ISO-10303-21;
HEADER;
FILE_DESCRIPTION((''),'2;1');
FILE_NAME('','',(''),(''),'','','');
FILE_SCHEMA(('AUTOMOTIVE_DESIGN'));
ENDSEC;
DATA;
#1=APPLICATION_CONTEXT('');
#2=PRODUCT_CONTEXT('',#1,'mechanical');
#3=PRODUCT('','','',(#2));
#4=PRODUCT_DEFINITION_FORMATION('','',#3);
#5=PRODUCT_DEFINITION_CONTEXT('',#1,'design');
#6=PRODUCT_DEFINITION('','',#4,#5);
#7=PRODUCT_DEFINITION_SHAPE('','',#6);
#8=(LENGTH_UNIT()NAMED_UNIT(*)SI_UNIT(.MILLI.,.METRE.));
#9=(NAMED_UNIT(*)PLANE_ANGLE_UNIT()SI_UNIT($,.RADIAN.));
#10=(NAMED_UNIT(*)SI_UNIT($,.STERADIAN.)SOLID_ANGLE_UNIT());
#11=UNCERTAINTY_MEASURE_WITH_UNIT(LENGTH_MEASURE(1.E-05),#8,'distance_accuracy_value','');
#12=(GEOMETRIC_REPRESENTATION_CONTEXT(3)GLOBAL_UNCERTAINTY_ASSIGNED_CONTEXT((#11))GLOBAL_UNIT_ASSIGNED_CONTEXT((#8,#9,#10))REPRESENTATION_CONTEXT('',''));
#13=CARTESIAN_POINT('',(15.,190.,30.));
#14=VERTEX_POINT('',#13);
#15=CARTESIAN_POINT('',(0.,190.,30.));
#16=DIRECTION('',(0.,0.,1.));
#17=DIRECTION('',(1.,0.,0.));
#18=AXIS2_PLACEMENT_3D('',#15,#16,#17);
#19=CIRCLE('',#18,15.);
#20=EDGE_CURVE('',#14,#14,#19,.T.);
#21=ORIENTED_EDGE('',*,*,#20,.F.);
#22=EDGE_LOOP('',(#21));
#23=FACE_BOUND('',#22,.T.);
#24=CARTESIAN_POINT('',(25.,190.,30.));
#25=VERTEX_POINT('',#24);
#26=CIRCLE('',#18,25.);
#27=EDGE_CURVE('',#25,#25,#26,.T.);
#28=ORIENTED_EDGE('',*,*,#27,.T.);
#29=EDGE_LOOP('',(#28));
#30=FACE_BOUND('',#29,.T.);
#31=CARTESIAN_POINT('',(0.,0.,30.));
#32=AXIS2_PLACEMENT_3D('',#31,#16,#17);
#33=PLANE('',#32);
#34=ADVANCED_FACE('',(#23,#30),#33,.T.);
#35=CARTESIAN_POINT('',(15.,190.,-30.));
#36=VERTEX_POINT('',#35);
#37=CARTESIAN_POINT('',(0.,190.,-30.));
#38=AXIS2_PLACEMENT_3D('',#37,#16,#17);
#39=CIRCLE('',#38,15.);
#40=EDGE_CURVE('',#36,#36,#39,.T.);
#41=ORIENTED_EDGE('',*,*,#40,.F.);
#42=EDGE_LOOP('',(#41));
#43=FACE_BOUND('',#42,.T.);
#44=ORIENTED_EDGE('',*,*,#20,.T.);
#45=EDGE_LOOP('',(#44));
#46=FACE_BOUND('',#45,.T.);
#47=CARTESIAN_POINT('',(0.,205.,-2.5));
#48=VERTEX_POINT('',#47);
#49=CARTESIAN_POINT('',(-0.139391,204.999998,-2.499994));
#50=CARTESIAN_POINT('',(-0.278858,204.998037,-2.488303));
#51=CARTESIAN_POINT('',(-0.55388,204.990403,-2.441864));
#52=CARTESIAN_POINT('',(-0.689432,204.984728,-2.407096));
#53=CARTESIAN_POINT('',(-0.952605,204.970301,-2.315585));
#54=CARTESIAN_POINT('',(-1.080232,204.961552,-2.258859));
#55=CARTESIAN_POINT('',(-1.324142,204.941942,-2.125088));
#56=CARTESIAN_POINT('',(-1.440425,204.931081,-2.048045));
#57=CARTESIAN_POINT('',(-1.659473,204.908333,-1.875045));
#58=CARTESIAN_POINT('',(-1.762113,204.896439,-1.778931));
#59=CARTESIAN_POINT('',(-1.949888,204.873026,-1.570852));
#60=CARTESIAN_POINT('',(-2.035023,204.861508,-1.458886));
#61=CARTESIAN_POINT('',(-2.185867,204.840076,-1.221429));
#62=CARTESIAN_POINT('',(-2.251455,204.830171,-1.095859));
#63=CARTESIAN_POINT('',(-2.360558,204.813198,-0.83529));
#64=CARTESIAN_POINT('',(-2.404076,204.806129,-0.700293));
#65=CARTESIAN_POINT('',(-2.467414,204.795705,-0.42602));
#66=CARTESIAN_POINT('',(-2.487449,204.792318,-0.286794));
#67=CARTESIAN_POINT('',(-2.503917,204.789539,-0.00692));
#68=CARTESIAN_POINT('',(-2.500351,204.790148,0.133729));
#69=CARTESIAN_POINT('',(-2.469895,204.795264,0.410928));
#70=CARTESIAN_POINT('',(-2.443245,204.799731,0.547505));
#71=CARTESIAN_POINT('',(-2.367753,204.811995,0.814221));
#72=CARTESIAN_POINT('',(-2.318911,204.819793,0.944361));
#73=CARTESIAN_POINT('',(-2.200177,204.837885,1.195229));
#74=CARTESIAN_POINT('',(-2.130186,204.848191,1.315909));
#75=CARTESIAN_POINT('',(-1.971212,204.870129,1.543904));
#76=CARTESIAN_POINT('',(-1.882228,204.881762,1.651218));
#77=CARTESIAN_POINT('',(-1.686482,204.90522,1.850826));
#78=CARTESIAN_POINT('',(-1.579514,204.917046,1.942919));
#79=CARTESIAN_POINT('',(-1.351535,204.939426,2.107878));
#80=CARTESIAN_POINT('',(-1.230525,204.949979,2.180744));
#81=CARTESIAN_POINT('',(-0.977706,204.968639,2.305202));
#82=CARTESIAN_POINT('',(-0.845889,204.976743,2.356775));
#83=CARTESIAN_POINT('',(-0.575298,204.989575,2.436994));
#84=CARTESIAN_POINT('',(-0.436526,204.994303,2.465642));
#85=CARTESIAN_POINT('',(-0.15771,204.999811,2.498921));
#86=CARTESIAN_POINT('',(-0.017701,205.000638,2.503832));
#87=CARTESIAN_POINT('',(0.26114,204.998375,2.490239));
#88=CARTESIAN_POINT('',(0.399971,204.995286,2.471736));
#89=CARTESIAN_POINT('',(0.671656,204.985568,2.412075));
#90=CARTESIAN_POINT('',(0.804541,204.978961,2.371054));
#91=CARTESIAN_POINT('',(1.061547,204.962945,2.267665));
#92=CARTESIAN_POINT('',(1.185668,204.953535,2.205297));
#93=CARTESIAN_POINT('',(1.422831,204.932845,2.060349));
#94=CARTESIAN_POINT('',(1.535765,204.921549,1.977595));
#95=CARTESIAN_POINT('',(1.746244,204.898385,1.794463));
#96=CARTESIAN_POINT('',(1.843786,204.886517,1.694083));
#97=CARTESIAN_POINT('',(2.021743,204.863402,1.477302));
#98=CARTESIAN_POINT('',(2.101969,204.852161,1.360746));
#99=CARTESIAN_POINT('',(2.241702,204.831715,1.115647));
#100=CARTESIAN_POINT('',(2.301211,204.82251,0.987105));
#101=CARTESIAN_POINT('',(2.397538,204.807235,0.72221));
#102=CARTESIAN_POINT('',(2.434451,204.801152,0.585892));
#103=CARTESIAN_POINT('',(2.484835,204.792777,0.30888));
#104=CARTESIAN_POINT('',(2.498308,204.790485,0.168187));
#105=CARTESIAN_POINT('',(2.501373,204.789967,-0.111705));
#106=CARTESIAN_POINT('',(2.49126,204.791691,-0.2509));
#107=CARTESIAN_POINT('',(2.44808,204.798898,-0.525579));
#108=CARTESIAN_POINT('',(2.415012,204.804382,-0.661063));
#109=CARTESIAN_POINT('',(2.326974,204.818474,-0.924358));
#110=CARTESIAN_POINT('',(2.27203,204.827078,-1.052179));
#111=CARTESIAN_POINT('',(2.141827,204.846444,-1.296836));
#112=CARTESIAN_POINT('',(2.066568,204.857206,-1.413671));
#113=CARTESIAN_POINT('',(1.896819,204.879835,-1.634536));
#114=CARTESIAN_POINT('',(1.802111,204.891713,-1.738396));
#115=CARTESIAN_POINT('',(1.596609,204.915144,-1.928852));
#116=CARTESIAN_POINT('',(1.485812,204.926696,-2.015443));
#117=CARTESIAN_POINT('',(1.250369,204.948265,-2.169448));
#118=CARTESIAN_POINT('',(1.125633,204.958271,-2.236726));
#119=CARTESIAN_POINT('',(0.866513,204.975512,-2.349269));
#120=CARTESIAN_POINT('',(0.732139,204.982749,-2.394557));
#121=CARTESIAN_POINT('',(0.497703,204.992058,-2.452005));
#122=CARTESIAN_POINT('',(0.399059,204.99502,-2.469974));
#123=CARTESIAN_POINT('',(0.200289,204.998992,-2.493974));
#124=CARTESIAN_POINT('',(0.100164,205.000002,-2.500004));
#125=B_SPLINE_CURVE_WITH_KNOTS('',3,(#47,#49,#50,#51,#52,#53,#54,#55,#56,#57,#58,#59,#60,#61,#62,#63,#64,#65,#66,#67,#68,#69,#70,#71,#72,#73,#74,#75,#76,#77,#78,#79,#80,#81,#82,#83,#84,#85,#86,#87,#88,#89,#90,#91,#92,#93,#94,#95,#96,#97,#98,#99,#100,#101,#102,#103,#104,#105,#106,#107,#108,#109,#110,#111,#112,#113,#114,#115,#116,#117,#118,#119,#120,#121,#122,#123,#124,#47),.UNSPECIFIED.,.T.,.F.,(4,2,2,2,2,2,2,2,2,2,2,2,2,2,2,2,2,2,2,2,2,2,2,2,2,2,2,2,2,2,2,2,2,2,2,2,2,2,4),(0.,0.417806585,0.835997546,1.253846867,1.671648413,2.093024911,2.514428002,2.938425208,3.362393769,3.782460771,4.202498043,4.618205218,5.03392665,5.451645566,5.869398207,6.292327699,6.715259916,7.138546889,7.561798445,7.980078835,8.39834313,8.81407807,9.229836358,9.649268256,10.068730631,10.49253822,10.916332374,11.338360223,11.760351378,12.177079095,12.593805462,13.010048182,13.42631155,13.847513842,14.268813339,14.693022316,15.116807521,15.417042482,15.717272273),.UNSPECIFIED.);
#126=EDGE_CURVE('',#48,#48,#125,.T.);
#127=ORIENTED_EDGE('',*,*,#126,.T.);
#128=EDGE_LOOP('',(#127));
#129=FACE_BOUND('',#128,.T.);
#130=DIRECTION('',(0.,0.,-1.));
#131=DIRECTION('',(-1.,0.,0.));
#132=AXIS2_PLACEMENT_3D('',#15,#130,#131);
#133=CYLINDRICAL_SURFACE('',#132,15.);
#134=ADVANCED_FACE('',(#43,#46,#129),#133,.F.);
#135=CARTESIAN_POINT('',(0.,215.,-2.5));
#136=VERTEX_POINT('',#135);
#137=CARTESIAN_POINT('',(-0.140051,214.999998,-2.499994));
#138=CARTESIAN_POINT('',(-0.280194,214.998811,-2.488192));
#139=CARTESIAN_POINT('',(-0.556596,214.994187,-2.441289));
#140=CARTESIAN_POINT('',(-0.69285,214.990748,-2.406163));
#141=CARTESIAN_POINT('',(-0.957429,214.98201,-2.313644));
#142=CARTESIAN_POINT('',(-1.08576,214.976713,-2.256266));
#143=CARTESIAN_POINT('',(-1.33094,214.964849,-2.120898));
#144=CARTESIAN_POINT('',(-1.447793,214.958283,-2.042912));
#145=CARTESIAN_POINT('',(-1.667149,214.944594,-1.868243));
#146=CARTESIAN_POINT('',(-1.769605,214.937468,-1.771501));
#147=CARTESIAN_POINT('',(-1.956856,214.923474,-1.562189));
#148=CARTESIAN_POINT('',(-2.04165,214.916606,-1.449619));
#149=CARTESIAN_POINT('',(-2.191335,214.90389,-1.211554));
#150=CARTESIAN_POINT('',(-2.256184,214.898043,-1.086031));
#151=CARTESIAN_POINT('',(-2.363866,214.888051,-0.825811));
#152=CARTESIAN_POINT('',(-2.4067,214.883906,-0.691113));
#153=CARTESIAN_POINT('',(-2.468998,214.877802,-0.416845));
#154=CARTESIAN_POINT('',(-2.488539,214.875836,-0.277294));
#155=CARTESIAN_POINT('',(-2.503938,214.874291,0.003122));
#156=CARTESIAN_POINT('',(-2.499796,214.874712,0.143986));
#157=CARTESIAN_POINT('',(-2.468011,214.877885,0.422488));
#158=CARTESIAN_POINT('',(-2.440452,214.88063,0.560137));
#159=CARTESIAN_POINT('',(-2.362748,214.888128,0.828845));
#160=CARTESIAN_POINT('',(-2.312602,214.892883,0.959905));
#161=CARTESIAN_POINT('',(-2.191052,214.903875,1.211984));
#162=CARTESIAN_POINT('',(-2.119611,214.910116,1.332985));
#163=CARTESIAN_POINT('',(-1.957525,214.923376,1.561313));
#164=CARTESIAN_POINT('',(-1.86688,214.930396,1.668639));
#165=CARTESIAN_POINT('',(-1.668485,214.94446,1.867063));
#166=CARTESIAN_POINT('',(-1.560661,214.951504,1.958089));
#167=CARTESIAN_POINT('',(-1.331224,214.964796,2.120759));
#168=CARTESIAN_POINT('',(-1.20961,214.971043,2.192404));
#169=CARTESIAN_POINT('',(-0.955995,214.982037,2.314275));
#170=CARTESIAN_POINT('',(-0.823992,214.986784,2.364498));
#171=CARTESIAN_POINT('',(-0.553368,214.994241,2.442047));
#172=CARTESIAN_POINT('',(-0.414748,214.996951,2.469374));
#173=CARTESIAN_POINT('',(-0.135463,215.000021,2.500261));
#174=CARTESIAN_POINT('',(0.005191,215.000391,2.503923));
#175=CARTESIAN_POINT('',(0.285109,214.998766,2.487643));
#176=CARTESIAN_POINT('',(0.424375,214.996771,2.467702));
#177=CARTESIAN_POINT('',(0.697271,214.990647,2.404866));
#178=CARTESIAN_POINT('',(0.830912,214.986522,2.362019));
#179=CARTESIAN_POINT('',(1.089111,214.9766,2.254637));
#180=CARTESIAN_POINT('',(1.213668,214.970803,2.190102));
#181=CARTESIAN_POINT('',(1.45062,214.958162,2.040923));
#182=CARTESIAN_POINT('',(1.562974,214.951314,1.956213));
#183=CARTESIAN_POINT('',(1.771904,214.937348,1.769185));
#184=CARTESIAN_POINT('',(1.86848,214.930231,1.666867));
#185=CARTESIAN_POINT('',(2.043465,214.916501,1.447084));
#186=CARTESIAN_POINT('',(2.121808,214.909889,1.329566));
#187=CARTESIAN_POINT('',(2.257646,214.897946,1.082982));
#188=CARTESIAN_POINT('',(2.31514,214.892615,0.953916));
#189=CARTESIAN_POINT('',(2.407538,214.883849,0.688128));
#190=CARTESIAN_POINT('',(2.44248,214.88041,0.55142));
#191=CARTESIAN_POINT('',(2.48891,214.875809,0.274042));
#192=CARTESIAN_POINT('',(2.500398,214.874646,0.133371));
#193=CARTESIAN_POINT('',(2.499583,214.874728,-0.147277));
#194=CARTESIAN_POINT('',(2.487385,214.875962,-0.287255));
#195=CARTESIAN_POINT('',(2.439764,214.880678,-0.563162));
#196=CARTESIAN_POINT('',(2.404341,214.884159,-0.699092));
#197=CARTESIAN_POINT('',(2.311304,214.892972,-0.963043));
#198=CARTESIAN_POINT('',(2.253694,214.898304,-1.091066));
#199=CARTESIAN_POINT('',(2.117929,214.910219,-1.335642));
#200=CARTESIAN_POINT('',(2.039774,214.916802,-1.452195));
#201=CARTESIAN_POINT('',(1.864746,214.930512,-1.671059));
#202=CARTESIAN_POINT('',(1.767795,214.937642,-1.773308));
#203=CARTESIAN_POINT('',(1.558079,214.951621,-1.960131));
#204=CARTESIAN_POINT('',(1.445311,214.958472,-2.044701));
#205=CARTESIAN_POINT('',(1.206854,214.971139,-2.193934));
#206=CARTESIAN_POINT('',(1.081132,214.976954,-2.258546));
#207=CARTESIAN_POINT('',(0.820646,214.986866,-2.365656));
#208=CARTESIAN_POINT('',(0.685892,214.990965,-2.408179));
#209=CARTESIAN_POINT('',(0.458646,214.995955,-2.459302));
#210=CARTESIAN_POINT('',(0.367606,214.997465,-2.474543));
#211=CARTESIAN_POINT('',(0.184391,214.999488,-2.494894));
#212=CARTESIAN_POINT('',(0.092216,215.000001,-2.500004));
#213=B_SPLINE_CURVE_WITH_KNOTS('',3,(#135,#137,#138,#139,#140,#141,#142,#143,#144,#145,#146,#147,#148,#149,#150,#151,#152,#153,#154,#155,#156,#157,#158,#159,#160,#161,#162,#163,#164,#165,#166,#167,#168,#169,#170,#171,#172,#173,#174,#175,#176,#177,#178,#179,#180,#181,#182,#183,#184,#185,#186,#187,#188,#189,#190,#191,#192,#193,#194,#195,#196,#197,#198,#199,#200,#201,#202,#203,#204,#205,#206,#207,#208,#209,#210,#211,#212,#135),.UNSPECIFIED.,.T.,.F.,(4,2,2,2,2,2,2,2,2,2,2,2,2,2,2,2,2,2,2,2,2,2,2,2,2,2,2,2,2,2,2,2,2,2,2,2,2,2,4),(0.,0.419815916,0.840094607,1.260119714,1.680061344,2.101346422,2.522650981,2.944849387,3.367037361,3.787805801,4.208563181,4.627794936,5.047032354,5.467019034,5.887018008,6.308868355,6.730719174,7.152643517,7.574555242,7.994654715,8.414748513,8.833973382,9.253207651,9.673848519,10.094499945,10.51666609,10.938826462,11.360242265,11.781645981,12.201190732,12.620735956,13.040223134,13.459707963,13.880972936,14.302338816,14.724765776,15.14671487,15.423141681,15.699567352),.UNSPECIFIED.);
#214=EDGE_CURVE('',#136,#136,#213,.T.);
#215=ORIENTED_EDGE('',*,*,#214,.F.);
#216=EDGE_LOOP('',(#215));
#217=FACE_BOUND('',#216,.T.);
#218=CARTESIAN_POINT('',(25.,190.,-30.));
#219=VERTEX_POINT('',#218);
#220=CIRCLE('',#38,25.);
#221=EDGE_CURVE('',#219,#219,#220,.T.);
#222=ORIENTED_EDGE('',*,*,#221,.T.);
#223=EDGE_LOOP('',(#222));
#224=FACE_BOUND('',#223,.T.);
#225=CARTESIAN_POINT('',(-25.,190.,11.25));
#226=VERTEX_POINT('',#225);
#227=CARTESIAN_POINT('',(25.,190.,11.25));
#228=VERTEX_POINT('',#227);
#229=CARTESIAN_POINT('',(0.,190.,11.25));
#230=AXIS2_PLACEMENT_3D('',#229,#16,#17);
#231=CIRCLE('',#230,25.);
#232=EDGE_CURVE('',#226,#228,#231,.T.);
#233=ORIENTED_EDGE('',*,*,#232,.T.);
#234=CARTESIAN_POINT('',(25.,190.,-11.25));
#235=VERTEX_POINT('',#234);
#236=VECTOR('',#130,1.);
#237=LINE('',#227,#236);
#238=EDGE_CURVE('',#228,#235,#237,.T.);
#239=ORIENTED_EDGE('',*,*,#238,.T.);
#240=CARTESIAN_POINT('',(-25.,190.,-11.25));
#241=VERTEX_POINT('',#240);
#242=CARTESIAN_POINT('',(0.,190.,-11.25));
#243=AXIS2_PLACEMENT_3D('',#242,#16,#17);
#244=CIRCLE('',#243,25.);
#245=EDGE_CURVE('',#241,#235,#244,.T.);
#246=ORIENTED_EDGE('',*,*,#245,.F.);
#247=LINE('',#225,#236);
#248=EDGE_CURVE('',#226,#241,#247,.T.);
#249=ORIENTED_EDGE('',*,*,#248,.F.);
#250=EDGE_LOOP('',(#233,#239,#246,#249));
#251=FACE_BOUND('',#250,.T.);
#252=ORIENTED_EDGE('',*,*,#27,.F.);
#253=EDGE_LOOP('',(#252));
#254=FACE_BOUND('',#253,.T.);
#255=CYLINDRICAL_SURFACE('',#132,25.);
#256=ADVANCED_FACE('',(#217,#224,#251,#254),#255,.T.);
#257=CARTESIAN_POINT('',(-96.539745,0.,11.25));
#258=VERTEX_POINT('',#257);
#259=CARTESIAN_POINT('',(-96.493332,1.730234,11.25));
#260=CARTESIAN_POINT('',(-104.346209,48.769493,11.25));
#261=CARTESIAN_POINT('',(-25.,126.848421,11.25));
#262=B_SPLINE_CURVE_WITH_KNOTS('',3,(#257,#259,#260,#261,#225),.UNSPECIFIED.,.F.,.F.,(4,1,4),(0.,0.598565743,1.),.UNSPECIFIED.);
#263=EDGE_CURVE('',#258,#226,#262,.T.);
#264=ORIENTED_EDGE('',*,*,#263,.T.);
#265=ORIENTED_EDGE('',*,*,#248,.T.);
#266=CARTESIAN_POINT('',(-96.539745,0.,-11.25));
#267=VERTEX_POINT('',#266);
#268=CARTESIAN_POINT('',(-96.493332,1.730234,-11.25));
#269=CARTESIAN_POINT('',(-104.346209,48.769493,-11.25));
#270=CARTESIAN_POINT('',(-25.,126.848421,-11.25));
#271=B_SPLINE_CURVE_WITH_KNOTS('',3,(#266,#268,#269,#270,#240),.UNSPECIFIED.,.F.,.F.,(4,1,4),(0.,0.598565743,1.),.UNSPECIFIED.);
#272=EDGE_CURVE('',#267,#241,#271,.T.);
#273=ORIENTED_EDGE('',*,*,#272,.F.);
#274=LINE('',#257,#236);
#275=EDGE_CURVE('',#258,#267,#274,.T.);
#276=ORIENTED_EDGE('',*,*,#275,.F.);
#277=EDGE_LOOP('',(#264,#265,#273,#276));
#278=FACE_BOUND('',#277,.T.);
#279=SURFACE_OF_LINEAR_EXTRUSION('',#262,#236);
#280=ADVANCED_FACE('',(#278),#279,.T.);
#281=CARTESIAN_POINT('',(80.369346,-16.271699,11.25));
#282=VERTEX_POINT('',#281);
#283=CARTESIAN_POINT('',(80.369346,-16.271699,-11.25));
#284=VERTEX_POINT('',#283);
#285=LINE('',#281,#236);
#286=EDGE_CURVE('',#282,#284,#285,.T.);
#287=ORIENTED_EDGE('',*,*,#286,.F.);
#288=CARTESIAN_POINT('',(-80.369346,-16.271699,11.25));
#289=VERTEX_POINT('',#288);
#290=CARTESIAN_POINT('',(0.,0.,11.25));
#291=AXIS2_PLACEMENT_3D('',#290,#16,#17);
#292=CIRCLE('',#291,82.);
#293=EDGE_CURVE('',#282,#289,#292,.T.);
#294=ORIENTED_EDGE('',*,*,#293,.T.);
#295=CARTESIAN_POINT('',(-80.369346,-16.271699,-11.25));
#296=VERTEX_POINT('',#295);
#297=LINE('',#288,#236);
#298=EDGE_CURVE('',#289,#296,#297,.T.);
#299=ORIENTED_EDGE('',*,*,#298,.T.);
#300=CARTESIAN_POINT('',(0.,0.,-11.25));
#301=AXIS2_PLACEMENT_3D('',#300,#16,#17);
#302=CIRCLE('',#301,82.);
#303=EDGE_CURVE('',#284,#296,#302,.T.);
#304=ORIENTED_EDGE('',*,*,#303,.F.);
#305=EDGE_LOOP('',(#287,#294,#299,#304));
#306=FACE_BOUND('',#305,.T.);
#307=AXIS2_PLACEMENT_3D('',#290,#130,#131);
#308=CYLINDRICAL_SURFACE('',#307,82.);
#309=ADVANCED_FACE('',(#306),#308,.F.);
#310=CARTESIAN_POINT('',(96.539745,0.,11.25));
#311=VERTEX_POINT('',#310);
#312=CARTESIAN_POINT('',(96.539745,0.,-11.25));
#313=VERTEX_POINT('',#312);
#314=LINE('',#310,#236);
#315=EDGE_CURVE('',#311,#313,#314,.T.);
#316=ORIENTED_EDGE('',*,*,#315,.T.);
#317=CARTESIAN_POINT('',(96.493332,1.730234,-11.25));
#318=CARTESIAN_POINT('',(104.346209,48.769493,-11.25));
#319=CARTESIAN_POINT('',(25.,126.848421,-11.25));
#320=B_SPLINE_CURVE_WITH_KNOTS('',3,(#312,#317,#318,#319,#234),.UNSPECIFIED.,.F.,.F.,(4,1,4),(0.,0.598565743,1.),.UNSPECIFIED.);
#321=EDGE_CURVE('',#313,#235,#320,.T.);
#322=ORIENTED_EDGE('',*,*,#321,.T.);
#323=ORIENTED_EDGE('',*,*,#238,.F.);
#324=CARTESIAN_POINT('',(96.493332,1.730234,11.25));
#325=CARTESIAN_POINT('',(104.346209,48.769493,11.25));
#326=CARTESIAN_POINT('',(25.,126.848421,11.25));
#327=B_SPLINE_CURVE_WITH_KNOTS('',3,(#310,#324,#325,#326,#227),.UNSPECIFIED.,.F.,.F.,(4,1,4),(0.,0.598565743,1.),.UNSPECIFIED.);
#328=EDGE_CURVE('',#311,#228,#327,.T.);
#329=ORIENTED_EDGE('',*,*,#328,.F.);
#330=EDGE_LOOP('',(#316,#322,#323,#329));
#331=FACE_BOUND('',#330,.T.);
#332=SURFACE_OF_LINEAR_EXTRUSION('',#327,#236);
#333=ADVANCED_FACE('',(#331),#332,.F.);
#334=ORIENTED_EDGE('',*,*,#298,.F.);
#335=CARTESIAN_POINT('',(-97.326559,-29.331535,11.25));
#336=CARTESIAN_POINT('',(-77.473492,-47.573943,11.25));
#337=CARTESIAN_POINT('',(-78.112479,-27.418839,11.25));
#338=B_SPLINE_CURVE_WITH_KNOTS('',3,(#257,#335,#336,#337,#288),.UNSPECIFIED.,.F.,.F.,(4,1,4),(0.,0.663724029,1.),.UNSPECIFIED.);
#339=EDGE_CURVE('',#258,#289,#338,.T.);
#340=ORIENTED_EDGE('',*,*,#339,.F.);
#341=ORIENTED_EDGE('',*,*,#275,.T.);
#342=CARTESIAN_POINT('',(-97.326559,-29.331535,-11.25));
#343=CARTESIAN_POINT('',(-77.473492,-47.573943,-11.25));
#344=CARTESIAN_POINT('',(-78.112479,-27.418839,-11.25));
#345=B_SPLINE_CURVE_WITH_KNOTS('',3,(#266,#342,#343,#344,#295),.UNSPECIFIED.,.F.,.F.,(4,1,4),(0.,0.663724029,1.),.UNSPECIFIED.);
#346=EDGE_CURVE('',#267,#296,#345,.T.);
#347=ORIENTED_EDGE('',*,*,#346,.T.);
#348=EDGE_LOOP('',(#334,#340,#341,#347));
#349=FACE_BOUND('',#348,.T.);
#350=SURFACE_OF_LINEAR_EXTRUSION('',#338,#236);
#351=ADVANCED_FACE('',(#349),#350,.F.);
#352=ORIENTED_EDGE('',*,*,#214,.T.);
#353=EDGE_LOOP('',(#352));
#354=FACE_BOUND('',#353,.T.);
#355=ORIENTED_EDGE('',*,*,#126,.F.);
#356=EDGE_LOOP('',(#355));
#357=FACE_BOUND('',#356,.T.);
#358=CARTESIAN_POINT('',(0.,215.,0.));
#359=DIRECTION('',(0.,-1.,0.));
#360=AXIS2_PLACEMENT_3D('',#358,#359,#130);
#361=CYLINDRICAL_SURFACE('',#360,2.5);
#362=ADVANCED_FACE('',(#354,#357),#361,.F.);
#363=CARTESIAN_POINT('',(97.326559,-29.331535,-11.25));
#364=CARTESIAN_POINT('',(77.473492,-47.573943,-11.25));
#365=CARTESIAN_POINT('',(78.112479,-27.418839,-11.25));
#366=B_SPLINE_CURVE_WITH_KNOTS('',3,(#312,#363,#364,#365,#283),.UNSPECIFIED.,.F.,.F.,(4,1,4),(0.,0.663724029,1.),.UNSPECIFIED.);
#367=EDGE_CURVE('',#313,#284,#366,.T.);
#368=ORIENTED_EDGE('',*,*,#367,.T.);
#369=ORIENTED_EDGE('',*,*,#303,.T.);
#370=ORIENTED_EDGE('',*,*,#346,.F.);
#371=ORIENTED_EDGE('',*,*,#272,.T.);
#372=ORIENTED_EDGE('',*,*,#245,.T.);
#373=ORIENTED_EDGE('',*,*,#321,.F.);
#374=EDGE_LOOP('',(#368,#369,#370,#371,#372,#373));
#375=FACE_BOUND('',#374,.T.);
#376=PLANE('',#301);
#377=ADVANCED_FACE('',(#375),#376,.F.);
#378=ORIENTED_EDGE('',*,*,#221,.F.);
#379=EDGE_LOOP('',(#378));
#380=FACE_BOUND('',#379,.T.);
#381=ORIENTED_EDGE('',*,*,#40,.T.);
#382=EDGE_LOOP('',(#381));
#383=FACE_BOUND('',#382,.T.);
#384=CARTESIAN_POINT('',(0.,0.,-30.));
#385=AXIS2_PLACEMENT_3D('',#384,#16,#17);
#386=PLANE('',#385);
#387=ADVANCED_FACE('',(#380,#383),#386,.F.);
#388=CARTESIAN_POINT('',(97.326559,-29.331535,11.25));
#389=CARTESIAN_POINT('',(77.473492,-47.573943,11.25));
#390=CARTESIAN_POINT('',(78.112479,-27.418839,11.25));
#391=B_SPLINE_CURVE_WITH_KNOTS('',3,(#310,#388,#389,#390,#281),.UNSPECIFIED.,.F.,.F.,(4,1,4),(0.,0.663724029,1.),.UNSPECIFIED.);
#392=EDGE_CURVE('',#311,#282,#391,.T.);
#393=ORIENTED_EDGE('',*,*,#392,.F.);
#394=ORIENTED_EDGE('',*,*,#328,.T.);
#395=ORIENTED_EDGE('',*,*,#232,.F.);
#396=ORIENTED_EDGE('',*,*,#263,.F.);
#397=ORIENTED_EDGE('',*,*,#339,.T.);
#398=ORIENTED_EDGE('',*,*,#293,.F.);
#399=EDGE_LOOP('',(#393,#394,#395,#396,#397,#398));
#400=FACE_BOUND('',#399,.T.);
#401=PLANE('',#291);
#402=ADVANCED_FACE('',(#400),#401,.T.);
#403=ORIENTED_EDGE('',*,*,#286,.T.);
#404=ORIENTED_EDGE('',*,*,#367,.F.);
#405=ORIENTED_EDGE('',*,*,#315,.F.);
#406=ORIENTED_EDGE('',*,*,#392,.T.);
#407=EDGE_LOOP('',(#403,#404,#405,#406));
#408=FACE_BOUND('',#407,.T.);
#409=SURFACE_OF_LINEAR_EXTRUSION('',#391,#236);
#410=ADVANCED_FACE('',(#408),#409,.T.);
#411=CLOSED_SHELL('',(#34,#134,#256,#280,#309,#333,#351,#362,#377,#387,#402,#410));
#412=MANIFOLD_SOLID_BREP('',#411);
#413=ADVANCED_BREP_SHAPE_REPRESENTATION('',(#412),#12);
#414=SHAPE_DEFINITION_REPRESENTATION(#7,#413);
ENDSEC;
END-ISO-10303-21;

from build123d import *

# Parameters (mm, degrees)
BOSS_EXTRUDE1_DEPTH = 11.25
SKETCH1_3_R         = 25
SKETCH1_3_R_2       = 15
BOSS_EXTRUDE2_DEPTH = 30
SKETCH3_R           = 2.5
CUT_EXTRUDE1_DEPTH  = 36


with BuildPart() as part:
    # Sketch1 → Boss-Extrude1 (new body, symmetric)
    with BuildSketch(Plane.XY):
        with BuildLine():
            ThreePointArc((-80.369346148, -16.271699348), (0, 82), (80.369346148, -16.271699348))
            add(Edge.make_bspline(
                [(96.539745155, 0), (97.326558939, -29.331535134), (77.473492013, -47.573942745), (78.112479352, -27.418839229), (80.369346148, -16.271699348)],
                knots=[0, 0, 0, 0, 0.663724029, 1, 1, 1, 1], degree=3))
            add(Edge.make_bspline(
                [(96.539745155, 0), (96.493331912, 1.730233625), (104.346209234, 48.769492673), (25, 126.848420751), (25, 190)],
                knots=[0, 0, 0, 0, 0.598565743, 1, 1, 1, 1], degree=3))
            ThreePointArc((25, 190), (0, 165), (-25, 190))
            add(Edge.make_bspline(
                [(-96.539745155, 0), (-96.493331912, 1.730233625), (-104.346209234, 48.769492673), (-25, 126.848420751), (-25, 190)],
                knots=[0, 0, 0, 0, 0.598565743, 1, 1, 1, 1], degree=3))
            add(Edge.make_bspline(
                [(-96.539745155, 0), (-97.326558939, -29.331535134), (-77.473492013, -47.573942745), (-78.112479352, -27.418839229), (-80.369346148, -16.271699348)],
                knots=[0, 0, 0, 0, 0.663724029, 1, 1, 1, 1], degree=3))
        make_face()
    extrude(amount=BOSS_EXTRUDE1_DEPTH, both=True)

    # Sketch1<3> → Boss-Extrude2 (add, symmetric)
    with BuildSketch(Plane.XY):
        with Locations((0, 190)):
            Circle(SKETCH1_3_R)
        with Locations((0, 190)):
            Circle(SKETCH1_3_R_2, mode=Mode.SUBTRACT)
    extrude(amount=BOSS_EXTRUDE2_DEPTH, both=True)

    # Sketch3 → Cut-Extrude1 (cut, through all)
    with BuildSketch(Plane(origin=(0, 180, 0), x_dir=(1, 0, 0), z_dir=(0, 1, 0))):
        Circle(SKETCH3_R)
    extrude(amount=CUT_EXTRUDE1_DEPTH, mode=Mode.SUBTRACT)


solid = part.part
